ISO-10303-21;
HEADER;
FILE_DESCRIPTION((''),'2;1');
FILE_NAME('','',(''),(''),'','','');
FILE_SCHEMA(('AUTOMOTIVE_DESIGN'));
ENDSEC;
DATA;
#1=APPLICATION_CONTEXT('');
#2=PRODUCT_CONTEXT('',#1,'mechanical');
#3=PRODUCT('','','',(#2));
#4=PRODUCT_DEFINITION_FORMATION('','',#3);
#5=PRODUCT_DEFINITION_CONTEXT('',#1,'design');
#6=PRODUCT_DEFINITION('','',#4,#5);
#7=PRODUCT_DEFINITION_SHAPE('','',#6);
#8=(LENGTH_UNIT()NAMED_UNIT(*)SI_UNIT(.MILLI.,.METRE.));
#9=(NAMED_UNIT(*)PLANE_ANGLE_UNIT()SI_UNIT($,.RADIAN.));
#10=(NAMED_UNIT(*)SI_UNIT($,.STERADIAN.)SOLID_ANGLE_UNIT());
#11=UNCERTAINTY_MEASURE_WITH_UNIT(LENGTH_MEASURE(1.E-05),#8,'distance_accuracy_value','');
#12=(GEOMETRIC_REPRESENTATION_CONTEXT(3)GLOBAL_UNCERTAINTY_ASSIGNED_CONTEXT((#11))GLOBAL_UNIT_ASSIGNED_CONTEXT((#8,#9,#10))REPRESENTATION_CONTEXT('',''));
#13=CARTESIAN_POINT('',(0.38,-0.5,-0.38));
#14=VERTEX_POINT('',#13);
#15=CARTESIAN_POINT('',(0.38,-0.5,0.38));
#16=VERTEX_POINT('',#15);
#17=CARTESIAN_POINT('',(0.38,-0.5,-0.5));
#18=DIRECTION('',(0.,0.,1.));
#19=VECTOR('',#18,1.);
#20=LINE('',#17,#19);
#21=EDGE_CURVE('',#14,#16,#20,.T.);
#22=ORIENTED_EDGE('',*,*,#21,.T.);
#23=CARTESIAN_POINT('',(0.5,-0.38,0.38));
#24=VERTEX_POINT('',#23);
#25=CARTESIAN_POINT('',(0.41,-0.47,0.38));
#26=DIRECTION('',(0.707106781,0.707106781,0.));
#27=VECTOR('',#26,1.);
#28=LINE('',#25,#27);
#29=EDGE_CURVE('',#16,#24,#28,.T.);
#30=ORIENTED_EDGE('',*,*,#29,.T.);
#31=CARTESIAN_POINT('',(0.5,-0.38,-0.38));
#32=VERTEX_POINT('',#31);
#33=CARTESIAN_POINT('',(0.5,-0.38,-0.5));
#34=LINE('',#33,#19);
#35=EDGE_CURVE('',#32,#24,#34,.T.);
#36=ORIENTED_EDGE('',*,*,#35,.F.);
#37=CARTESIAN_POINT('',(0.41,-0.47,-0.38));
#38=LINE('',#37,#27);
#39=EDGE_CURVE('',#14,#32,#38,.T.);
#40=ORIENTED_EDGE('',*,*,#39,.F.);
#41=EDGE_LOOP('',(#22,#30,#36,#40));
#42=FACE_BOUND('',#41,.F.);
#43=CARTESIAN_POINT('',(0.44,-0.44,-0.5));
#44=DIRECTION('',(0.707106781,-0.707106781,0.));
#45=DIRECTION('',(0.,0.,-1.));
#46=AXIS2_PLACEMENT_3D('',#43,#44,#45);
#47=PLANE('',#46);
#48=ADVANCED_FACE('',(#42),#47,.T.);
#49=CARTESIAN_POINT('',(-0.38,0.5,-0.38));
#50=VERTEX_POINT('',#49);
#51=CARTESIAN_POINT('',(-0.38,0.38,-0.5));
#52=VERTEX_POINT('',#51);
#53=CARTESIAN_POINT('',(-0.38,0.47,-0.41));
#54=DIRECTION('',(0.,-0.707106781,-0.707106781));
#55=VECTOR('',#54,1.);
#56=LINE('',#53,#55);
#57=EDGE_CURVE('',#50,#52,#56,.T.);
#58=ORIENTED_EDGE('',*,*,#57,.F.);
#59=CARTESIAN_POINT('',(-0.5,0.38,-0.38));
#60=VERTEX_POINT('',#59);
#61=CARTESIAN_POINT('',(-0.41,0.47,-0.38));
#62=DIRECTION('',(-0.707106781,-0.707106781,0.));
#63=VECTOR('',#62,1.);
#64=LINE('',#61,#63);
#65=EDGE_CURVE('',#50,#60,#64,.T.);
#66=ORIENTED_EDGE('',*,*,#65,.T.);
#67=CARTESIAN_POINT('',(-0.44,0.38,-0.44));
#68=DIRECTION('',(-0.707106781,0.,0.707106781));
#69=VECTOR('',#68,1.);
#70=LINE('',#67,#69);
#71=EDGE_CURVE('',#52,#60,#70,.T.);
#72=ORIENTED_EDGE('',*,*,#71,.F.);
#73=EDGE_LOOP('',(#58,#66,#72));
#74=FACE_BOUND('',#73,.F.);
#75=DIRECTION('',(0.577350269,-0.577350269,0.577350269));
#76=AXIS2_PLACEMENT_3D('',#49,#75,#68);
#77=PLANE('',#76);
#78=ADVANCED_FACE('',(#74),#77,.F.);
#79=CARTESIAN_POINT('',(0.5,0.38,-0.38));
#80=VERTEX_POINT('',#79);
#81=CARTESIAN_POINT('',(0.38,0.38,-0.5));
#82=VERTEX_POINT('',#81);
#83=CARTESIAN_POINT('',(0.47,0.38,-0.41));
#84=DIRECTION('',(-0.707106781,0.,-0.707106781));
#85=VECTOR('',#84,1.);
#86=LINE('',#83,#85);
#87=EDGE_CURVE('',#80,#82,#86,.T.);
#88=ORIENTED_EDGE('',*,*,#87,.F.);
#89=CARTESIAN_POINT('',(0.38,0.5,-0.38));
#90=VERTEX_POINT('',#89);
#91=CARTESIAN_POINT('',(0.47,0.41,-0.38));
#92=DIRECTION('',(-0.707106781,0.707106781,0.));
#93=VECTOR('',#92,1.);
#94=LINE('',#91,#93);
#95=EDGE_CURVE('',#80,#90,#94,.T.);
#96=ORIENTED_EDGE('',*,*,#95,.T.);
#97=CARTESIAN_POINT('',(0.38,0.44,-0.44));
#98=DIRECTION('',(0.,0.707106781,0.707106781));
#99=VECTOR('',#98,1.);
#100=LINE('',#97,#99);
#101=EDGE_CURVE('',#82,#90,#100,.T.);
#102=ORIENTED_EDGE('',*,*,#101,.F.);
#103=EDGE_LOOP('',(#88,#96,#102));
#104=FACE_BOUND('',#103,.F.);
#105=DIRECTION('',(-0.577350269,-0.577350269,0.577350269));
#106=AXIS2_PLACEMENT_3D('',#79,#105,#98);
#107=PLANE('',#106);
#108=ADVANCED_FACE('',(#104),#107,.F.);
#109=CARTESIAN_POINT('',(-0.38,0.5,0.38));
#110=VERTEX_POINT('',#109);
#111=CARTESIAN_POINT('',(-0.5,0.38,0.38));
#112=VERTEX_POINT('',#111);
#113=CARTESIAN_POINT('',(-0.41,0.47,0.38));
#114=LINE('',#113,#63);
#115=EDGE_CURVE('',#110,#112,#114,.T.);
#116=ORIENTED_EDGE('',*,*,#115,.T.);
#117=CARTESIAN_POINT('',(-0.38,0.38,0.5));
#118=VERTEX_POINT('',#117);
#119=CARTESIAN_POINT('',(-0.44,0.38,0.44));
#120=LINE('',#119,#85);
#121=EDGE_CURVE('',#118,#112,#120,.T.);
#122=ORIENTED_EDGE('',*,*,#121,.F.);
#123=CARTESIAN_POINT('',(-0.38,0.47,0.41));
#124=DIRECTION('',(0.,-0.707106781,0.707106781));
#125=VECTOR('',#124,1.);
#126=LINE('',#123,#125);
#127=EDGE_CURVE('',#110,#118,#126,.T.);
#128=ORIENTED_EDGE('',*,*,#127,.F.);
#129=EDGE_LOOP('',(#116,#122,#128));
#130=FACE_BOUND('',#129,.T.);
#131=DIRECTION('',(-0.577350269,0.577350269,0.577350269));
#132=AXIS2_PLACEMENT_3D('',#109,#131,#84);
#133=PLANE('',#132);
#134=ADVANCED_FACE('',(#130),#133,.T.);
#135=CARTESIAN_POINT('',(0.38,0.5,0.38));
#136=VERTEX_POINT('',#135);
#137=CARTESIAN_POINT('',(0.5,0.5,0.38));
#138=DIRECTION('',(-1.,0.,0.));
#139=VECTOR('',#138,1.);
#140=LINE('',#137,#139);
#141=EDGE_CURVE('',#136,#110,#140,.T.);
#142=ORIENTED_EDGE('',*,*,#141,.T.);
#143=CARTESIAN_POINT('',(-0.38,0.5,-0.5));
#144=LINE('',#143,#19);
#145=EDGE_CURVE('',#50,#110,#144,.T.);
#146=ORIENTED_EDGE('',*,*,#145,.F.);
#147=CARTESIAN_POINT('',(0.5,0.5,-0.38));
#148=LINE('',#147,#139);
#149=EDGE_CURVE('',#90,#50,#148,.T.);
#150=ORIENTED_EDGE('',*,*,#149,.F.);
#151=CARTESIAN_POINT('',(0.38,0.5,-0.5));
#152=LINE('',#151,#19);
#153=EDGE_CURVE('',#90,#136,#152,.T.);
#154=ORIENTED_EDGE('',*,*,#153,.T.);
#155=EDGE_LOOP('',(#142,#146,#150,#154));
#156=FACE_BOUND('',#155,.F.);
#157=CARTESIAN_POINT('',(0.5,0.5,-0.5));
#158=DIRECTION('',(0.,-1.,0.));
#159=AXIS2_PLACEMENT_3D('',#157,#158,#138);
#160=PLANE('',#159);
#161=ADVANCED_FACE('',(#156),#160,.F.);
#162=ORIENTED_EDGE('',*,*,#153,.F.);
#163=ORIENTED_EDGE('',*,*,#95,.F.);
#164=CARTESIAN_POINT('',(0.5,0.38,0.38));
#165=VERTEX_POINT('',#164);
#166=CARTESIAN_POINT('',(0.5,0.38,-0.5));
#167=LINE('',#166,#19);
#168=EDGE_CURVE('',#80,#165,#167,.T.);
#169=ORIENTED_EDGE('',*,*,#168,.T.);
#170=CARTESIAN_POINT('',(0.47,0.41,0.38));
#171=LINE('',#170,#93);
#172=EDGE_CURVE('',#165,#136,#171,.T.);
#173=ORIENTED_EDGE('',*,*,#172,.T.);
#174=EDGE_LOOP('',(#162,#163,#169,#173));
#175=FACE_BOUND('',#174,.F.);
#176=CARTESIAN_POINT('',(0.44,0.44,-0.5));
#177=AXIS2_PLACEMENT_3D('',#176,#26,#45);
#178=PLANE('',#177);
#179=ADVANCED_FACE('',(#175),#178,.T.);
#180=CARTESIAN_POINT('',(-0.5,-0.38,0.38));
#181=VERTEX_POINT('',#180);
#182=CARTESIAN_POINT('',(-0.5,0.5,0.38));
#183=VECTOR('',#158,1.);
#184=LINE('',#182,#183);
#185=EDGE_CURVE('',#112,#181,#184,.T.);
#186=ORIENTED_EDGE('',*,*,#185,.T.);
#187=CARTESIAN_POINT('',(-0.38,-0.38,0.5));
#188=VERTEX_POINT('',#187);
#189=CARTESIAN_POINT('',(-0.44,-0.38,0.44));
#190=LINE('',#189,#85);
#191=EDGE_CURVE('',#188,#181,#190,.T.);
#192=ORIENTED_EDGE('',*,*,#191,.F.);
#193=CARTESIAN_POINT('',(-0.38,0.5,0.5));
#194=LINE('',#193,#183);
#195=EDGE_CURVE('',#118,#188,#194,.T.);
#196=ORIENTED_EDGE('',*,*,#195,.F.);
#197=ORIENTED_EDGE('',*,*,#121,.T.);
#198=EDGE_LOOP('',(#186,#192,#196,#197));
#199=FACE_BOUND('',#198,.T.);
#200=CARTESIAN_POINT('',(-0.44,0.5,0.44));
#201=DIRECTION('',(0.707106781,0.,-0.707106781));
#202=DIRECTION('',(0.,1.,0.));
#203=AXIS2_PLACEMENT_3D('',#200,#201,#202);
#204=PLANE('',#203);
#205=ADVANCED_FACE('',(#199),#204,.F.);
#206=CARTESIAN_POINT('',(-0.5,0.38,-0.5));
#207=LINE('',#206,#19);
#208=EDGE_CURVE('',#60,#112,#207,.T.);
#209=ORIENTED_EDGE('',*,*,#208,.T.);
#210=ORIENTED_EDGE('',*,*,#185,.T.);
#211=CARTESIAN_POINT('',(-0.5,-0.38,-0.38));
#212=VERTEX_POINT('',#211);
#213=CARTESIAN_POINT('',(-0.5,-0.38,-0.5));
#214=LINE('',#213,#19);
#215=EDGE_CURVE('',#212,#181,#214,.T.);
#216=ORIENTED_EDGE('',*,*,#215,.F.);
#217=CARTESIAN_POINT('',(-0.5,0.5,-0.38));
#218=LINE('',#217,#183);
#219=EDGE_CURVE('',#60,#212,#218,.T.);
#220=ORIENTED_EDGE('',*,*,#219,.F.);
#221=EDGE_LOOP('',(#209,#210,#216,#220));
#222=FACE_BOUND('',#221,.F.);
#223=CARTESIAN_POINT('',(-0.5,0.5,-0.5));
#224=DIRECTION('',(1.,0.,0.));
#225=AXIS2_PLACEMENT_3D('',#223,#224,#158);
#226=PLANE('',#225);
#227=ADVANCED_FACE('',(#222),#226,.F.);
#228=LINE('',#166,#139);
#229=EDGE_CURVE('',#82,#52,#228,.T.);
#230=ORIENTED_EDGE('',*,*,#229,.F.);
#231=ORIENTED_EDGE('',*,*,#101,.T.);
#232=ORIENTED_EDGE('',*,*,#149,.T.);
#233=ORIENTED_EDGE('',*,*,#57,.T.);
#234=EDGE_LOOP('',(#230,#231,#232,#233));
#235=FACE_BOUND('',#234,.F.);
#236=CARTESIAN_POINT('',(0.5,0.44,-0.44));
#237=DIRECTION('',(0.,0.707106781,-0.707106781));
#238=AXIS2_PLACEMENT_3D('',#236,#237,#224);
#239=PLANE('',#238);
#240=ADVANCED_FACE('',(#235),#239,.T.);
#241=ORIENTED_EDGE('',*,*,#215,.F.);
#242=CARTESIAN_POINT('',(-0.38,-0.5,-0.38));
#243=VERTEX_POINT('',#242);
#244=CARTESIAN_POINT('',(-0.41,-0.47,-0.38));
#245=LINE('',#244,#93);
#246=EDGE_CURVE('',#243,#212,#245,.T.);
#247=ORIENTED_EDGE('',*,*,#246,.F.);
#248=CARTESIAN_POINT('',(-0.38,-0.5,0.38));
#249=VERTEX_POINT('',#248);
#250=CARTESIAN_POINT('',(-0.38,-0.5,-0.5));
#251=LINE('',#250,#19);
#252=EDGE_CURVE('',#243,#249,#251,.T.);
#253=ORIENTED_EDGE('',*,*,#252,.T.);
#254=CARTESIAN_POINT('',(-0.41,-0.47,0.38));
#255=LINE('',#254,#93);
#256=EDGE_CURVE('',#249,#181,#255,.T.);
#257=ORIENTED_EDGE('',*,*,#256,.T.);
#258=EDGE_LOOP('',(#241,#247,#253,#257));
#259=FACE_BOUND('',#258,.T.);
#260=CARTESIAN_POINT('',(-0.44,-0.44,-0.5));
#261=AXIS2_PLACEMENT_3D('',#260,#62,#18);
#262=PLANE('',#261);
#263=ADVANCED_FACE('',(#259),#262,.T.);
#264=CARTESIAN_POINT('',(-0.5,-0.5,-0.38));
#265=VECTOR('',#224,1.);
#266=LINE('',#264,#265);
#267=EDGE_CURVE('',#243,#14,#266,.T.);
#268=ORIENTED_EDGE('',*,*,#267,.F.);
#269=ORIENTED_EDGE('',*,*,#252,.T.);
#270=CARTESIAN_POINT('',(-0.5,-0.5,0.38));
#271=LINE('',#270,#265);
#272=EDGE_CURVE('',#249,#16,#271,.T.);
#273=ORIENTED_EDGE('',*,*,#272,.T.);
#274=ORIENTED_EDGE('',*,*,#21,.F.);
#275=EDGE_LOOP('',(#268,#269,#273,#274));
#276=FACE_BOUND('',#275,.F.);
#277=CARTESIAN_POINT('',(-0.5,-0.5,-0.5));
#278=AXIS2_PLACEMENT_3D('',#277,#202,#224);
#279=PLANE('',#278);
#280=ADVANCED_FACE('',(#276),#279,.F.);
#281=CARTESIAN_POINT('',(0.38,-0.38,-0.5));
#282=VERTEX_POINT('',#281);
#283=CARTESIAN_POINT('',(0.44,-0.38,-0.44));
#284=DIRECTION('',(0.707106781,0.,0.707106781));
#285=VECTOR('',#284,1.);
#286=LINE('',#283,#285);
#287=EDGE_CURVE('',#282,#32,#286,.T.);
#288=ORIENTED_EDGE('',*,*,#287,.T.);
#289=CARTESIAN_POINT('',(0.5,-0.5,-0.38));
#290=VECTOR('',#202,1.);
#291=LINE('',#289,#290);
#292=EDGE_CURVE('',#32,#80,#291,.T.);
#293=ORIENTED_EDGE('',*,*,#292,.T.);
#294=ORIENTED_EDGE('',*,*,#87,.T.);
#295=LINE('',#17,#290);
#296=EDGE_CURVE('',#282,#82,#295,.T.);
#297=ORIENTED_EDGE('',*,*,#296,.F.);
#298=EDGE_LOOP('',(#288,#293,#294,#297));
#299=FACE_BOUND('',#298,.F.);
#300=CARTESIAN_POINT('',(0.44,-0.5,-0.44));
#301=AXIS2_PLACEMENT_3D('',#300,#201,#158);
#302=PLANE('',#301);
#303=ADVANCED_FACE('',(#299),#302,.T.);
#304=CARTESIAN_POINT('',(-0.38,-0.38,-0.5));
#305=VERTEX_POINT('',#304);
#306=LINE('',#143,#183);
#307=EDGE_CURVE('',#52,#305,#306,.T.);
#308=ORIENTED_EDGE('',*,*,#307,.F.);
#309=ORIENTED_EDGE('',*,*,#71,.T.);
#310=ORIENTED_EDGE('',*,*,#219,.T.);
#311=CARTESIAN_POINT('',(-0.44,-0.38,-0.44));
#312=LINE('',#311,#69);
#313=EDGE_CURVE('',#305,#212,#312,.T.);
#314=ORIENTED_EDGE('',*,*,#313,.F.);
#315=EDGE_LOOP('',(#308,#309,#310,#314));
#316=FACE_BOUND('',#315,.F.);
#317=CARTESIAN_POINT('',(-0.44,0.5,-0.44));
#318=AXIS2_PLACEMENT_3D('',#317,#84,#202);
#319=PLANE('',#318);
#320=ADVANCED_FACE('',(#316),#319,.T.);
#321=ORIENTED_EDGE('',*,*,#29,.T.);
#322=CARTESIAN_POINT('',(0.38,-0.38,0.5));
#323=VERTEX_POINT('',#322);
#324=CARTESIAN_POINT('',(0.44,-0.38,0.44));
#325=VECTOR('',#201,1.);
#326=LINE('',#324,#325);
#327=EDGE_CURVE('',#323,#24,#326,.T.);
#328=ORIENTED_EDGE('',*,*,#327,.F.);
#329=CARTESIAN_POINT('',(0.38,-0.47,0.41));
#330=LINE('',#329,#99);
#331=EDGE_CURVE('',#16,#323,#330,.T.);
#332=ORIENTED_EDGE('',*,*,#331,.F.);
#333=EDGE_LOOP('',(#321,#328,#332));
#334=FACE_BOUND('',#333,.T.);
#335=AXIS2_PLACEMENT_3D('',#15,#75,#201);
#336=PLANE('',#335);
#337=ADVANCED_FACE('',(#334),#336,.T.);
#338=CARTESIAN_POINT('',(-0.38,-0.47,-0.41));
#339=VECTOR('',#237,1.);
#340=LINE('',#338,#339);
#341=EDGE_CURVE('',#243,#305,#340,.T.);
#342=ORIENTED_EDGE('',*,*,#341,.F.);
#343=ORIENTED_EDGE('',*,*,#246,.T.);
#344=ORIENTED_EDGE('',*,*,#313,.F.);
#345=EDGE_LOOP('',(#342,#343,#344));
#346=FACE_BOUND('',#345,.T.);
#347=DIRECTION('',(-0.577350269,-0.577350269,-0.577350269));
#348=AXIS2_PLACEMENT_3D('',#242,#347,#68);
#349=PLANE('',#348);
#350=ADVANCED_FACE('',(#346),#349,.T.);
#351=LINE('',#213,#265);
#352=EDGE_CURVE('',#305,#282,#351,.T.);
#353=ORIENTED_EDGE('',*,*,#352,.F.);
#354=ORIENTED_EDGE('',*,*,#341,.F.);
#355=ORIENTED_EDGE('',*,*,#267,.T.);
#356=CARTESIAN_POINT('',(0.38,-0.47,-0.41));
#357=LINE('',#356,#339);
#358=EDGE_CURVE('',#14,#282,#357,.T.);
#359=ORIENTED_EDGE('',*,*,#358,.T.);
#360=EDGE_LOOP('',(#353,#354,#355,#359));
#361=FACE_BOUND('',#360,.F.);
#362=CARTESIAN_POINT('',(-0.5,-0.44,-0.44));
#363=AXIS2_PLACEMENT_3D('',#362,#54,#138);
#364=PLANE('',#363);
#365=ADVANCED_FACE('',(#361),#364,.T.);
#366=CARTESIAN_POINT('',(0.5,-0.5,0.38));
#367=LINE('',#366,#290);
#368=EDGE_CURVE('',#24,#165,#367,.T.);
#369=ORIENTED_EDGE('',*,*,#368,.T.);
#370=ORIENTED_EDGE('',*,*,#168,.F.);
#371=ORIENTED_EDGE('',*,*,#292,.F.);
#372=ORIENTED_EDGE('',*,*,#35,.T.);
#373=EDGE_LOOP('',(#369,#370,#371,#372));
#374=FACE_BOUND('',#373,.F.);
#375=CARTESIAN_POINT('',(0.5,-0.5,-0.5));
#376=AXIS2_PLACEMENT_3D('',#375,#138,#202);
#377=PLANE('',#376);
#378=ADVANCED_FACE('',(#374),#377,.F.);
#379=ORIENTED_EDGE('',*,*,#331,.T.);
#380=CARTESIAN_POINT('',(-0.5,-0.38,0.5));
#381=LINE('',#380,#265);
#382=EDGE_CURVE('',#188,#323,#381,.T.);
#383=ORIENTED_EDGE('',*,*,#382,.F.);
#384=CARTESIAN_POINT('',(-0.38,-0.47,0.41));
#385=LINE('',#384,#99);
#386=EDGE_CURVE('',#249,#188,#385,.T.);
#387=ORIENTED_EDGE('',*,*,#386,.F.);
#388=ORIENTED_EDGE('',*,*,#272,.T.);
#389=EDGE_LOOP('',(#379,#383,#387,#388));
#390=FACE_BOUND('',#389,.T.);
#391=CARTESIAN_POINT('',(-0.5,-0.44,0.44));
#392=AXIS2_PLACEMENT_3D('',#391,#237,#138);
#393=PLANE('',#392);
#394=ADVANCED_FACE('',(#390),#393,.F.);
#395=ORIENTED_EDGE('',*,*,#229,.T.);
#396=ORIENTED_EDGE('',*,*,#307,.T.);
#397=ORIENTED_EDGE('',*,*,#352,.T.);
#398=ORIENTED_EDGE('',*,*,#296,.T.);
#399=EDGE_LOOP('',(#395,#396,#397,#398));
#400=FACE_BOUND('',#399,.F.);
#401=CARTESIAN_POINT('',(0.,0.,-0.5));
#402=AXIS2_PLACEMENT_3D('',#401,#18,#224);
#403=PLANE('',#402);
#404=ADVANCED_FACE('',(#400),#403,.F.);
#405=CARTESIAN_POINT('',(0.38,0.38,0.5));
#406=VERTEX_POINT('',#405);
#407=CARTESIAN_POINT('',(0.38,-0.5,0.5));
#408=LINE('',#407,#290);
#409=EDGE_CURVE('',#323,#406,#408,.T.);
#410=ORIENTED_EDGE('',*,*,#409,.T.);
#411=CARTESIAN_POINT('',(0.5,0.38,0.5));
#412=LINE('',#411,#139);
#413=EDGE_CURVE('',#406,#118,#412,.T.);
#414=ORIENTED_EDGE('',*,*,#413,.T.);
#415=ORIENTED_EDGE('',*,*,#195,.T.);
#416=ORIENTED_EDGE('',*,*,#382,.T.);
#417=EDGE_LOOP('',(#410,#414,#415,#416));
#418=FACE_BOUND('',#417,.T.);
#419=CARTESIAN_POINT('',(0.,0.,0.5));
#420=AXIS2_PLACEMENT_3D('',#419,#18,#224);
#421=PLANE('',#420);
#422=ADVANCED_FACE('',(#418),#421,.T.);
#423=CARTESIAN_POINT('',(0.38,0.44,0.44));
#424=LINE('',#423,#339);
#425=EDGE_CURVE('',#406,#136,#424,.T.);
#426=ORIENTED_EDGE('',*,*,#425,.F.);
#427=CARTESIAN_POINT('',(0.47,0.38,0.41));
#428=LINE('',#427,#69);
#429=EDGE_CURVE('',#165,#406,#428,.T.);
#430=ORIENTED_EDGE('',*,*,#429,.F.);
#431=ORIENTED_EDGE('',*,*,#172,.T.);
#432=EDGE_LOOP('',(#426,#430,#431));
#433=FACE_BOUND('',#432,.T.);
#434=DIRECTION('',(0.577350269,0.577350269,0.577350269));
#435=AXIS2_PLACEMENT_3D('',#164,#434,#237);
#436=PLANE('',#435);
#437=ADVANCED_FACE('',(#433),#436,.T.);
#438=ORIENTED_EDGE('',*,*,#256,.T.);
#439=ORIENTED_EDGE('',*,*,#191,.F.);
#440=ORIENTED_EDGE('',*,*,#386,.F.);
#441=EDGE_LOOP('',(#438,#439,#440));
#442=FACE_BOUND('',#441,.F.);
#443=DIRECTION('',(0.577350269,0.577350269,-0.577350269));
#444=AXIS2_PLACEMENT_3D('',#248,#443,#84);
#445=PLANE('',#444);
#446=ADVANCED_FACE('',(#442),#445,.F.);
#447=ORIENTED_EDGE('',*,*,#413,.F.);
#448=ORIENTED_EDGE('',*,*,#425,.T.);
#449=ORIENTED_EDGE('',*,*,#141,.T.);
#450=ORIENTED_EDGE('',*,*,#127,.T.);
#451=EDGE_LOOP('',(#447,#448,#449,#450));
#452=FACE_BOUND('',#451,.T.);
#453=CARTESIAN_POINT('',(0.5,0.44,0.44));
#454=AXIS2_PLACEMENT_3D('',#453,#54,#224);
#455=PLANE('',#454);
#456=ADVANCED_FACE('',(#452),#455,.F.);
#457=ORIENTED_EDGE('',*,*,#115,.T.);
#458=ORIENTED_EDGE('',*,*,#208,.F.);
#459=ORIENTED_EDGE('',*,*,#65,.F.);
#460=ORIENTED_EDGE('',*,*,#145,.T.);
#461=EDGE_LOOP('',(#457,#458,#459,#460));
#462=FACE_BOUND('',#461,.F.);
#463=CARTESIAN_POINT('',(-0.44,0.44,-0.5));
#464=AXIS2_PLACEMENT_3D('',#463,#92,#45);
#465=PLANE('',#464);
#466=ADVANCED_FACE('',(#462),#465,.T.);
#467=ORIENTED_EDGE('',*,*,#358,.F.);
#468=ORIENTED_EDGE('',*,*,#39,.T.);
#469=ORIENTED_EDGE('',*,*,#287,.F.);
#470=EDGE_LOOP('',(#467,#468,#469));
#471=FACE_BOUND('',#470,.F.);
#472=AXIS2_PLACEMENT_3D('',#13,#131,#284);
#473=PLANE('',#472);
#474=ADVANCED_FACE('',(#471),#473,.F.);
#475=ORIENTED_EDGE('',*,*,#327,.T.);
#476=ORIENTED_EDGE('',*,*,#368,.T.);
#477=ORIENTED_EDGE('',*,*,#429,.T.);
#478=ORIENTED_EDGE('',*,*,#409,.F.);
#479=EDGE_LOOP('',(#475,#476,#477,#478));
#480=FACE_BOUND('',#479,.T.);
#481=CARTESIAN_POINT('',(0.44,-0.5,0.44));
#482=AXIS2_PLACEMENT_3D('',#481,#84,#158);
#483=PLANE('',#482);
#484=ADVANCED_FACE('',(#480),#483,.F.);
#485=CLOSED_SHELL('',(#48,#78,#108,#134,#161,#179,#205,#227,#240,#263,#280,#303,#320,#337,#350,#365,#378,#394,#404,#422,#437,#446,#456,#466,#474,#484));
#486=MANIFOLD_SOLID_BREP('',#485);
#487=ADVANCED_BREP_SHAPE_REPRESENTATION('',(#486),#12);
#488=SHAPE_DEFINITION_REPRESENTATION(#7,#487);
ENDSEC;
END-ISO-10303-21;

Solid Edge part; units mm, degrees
sketch "Sketch1" plane through (0, 0, -0.5) normal (0, 0, 1) x (1, 0, 0)
  line L0 (-0.5, -0.5) -> (0.5, -0.5)
  line L1 (0.5, -0.5) -> (0.5, 0.5)
  line L2 (0.5, 0.5) -> (-0.5, 0.5)
  line L3 (-0.5, 0.5) -> (-0.5, -0.5)
extrude "ExtrudedProtrusion_2" add sketch "Sketch1" along normal blind 1
chamfer "Chamfer_5" distance 0.12 angle 45 12 edges at (-0.5, 0, 0.5) (0, 0.5, 0.5) (0.5, 0, 0.5) (0, -0.5, 0.5) (-0.5, 0, -0.5) (0, 0.5, -0.5) (0.5, 0, -0.5) (0, -0.5, -0.5) (0.5, -0.5, 0) (-0.5, -0.5, 0) (0.5, 0.5, 0) (-0.5, 0.5, 0)
